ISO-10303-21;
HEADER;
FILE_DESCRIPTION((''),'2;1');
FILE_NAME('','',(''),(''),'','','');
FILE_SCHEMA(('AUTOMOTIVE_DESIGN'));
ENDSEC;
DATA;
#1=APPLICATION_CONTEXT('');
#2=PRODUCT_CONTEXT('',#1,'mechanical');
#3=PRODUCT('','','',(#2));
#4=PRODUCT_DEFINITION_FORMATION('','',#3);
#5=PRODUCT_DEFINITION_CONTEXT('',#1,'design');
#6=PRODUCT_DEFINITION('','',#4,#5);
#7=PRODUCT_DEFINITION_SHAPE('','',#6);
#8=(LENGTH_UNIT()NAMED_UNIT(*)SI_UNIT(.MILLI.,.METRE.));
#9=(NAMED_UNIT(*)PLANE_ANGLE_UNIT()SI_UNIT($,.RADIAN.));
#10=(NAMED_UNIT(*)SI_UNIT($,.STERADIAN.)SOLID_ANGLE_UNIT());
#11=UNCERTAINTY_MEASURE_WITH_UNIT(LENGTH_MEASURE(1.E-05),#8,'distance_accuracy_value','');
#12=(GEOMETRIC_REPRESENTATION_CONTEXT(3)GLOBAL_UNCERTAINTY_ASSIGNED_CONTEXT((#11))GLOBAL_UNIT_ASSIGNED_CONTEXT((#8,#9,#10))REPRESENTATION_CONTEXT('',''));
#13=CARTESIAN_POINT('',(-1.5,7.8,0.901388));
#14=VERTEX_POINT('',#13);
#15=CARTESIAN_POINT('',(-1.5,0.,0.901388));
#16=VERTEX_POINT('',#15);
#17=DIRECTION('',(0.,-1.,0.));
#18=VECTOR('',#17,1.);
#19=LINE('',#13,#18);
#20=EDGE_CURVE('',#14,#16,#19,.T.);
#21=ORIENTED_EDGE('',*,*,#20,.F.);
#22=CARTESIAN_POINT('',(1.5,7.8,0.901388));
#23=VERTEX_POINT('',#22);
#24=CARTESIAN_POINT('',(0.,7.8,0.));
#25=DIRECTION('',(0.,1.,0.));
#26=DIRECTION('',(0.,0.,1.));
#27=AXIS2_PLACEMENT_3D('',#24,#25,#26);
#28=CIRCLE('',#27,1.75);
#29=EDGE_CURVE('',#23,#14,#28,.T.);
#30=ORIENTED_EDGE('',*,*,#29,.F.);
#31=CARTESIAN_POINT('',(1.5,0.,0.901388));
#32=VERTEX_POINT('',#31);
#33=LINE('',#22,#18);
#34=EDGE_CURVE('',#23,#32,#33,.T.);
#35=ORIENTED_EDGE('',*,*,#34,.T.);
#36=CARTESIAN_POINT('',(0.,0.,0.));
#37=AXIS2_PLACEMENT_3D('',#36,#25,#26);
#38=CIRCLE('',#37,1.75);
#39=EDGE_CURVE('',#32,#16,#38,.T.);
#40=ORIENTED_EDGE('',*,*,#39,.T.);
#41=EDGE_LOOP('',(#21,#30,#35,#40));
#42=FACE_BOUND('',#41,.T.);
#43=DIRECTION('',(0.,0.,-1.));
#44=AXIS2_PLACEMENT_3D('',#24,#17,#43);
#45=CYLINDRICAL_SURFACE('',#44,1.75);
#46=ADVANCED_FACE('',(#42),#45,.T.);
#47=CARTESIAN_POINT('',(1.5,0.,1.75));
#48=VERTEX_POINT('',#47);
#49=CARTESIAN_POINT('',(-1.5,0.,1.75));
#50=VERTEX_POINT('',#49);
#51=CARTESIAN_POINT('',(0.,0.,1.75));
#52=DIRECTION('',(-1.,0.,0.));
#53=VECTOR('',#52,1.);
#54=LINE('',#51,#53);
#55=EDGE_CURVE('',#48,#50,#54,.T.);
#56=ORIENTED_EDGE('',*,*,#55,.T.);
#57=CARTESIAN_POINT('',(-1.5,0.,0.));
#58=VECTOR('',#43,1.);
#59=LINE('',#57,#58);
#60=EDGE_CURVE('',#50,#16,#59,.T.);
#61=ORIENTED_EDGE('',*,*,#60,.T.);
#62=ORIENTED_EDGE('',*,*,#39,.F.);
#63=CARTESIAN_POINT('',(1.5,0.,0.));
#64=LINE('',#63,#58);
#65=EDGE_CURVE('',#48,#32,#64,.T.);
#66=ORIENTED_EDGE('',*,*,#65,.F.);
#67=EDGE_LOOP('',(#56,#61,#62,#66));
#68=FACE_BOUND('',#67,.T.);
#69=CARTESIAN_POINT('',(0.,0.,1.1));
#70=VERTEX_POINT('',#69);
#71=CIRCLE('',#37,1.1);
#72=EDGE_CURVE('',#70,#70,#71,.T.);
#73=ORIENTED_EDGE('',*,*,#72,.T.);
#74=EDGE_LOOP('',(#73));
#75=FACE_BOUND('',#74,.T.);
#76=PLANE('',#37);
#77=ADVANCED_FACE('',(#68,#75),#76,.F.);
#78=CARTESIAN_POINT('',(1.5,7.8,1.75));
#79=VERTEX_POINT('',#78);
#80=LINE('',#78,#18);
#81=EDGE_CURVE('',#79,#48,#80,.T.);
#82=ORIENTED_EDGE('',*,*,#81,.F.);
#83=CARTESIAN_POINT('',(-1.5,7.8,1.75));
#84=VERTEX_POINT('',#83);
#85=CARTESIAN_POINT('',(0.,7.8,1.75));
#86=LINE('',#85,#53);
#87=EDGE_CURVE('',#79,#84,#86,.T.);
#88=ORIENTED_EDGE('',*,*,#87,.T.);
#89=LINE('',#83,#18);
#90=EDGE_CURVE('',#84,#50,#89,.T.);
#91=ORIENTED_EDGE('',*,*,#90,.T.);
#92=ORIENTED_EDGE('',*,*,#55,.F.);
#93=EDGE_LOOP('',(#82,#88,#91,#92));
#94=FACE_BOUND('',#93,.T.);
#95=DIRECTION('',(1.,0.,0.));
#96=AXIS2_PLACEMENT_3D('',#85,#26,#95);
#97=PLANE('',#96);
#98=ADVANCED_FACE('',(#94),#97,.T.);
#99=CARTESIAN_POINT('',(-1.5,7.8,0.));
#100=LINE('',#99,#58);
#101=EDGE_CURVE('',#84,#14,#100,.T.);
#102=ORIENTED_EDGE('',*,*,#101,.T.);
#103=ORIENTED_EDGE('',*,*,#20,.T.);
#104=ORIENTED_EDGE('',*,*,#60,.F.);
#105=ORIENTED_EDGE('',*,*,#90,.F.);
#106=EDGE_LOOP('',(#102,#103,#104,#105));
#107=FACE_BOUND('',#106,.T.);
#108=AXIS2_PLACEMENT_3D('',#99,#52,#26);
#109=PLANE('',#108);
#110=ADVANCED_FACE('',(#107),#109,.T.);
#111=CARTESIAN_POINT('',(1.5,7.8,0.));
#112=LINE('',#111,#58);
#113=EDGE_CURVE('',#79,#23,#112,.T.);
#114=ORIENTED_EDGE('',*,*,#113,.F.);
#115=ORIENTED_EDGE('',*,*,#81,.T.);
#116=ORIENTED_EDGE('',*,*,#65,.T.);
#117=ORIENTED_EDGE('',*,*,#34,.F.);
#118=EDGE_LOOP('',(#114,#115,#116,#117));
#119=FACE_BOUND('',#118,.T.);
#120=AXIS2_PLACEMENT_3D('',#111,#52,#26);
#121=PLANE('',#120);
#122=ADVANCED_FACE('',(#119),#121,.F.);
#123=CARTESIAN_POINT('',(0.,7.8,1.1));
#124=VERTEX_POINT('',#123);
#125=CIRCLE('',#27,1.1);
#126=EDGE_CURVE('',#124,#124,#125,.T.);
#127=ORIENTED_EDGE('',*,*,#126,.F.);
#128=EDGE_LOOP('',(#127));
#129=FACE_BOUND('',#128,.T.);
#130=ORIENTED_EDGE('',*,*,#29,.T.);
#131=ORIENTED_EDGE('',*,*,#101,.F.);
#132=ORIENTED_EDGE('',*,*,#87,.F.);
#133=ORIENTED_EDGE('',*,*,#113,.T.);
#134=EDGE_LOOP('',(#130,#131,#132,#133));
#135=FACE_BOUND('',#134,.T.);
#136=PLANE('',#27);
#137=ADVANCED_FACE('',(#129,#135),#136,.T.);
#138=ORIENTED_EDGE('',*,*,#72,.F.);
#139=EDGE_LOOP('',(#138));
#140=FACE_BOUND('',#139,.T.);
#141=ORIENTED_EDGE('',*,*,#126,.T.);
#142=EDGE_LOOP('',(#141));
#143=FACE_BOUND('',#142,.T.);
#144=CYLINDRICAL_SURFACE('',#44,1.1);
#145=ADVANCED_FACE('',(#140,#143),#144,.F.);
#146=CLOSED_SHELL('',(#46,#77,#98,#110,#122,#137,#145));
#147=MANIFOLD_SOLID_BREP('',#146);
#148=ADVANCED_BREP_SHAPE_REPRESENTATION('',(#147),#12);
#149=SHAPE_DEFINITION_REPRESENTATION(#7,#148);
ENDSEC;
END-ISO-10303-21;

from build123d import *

# Parameters (mm, degrees)
SKETCH1_R           = 1.1
BOSS_EXTRUDE1_DEPTH = 7.8


with BuildPart() as part:
    # Sketch1 → Boss-Extrude1 (new body)
    # profile 1 of 5: a face of its own
    with BuildSketch(Plane(origin=(0, 0, 0), x_dir=(1, 0, 0), z_dir=(0, 1, 0))):
        with BuildLine():
            ThreePointArc((-1.5, -0.901387819), (-0.861705088, -1.523142916), (0, -1.75))
            ThreePointArc((0, -1.75), (0.861705088, -1.523142916), (1.5, -0.901387819))
            Line((1.5, -0.901387819), (1.5, 0.901387819))
            ThreePointArc((1.5, 0.901387819), (0.861705088, 1.523142916), (0, 1.75))
            ThreePointArc((0, 1.75), (-0.861705088, 1.523142916), (-1.5, 0.901387819))
            Line((-1.5, 0.901387819), (-1.5, -0.901387819))
        make_face()
        with Locations(Location((0, 0, 0), (0, 0, 270))):
            Circle(SKETCH1_R, mode=Mode.SUBTRACT)
    # profile 2 of 5: a face of its own
    with BuildSketch(Plane(origin=(0, 0, 0), x_dir=(1, 0, 0), z_dir=(0, 1, 0))):
        with BuildLine():
            ThreePointArc((-1.5, 0.901387819), (-1.75, 0), (-1.5, -0.901387819))
            Line((-1.5, -0.901387819), (-1.5, 0.901387819))
        make_face()
    # profile 3 of 5: a face of its own
    with BuildSketch(Plane(origin=(0, 0, 0), x_dir=(1, 0, 0), z_dir=(0, 1, 0))):
        with BuildLine():
            Line((1.5, 0.901387819), (1.5, -0.901387819))
            ThreePointArc((1.5, -0.901387819), (1.686342195, -0.467707173), (1.75, 0))
            ThreePointArc((1.75, 0), (1.686342195, 0.467707173), (1.5, 0.901387819))
        make_face()
    # profile 4 of 5: a face of its own
    with BuildSketch(Plane(origin=(0, 0, 0), x_dir=(1, 0, 0), z_dir=(0, 1, 0))):
        with BuildLine():
            Line((0, -1.75), (1.5, -1.75))
            Line((1.5, -1.75), (1.5, -0.901387819))
            ThreePointArc((1.5, -0.901387819), (0.861705088, -1.523142916), (0, -1.75))
        make_face()
    # profile 5 of 5: a face of its own
    with BuildSketch(Plane(origin=(0, 0, 0), x_dir=(1, 0, 0), z_dir=(0, 1, 0))):
        with BuildLine():
            Line((-1.5, -1.75), (0, -1.75))
            ThreePointArc((0, -1.75), (-0.861705088, -1.523142916), (-1.5, -0.901387819))
            Line((-1.5, -0.901387819), (-1.5, -1.75))
        make_face()
    extrude(amount=BOSS_EXTRUDE1_DEPTH)


solid = part.part
